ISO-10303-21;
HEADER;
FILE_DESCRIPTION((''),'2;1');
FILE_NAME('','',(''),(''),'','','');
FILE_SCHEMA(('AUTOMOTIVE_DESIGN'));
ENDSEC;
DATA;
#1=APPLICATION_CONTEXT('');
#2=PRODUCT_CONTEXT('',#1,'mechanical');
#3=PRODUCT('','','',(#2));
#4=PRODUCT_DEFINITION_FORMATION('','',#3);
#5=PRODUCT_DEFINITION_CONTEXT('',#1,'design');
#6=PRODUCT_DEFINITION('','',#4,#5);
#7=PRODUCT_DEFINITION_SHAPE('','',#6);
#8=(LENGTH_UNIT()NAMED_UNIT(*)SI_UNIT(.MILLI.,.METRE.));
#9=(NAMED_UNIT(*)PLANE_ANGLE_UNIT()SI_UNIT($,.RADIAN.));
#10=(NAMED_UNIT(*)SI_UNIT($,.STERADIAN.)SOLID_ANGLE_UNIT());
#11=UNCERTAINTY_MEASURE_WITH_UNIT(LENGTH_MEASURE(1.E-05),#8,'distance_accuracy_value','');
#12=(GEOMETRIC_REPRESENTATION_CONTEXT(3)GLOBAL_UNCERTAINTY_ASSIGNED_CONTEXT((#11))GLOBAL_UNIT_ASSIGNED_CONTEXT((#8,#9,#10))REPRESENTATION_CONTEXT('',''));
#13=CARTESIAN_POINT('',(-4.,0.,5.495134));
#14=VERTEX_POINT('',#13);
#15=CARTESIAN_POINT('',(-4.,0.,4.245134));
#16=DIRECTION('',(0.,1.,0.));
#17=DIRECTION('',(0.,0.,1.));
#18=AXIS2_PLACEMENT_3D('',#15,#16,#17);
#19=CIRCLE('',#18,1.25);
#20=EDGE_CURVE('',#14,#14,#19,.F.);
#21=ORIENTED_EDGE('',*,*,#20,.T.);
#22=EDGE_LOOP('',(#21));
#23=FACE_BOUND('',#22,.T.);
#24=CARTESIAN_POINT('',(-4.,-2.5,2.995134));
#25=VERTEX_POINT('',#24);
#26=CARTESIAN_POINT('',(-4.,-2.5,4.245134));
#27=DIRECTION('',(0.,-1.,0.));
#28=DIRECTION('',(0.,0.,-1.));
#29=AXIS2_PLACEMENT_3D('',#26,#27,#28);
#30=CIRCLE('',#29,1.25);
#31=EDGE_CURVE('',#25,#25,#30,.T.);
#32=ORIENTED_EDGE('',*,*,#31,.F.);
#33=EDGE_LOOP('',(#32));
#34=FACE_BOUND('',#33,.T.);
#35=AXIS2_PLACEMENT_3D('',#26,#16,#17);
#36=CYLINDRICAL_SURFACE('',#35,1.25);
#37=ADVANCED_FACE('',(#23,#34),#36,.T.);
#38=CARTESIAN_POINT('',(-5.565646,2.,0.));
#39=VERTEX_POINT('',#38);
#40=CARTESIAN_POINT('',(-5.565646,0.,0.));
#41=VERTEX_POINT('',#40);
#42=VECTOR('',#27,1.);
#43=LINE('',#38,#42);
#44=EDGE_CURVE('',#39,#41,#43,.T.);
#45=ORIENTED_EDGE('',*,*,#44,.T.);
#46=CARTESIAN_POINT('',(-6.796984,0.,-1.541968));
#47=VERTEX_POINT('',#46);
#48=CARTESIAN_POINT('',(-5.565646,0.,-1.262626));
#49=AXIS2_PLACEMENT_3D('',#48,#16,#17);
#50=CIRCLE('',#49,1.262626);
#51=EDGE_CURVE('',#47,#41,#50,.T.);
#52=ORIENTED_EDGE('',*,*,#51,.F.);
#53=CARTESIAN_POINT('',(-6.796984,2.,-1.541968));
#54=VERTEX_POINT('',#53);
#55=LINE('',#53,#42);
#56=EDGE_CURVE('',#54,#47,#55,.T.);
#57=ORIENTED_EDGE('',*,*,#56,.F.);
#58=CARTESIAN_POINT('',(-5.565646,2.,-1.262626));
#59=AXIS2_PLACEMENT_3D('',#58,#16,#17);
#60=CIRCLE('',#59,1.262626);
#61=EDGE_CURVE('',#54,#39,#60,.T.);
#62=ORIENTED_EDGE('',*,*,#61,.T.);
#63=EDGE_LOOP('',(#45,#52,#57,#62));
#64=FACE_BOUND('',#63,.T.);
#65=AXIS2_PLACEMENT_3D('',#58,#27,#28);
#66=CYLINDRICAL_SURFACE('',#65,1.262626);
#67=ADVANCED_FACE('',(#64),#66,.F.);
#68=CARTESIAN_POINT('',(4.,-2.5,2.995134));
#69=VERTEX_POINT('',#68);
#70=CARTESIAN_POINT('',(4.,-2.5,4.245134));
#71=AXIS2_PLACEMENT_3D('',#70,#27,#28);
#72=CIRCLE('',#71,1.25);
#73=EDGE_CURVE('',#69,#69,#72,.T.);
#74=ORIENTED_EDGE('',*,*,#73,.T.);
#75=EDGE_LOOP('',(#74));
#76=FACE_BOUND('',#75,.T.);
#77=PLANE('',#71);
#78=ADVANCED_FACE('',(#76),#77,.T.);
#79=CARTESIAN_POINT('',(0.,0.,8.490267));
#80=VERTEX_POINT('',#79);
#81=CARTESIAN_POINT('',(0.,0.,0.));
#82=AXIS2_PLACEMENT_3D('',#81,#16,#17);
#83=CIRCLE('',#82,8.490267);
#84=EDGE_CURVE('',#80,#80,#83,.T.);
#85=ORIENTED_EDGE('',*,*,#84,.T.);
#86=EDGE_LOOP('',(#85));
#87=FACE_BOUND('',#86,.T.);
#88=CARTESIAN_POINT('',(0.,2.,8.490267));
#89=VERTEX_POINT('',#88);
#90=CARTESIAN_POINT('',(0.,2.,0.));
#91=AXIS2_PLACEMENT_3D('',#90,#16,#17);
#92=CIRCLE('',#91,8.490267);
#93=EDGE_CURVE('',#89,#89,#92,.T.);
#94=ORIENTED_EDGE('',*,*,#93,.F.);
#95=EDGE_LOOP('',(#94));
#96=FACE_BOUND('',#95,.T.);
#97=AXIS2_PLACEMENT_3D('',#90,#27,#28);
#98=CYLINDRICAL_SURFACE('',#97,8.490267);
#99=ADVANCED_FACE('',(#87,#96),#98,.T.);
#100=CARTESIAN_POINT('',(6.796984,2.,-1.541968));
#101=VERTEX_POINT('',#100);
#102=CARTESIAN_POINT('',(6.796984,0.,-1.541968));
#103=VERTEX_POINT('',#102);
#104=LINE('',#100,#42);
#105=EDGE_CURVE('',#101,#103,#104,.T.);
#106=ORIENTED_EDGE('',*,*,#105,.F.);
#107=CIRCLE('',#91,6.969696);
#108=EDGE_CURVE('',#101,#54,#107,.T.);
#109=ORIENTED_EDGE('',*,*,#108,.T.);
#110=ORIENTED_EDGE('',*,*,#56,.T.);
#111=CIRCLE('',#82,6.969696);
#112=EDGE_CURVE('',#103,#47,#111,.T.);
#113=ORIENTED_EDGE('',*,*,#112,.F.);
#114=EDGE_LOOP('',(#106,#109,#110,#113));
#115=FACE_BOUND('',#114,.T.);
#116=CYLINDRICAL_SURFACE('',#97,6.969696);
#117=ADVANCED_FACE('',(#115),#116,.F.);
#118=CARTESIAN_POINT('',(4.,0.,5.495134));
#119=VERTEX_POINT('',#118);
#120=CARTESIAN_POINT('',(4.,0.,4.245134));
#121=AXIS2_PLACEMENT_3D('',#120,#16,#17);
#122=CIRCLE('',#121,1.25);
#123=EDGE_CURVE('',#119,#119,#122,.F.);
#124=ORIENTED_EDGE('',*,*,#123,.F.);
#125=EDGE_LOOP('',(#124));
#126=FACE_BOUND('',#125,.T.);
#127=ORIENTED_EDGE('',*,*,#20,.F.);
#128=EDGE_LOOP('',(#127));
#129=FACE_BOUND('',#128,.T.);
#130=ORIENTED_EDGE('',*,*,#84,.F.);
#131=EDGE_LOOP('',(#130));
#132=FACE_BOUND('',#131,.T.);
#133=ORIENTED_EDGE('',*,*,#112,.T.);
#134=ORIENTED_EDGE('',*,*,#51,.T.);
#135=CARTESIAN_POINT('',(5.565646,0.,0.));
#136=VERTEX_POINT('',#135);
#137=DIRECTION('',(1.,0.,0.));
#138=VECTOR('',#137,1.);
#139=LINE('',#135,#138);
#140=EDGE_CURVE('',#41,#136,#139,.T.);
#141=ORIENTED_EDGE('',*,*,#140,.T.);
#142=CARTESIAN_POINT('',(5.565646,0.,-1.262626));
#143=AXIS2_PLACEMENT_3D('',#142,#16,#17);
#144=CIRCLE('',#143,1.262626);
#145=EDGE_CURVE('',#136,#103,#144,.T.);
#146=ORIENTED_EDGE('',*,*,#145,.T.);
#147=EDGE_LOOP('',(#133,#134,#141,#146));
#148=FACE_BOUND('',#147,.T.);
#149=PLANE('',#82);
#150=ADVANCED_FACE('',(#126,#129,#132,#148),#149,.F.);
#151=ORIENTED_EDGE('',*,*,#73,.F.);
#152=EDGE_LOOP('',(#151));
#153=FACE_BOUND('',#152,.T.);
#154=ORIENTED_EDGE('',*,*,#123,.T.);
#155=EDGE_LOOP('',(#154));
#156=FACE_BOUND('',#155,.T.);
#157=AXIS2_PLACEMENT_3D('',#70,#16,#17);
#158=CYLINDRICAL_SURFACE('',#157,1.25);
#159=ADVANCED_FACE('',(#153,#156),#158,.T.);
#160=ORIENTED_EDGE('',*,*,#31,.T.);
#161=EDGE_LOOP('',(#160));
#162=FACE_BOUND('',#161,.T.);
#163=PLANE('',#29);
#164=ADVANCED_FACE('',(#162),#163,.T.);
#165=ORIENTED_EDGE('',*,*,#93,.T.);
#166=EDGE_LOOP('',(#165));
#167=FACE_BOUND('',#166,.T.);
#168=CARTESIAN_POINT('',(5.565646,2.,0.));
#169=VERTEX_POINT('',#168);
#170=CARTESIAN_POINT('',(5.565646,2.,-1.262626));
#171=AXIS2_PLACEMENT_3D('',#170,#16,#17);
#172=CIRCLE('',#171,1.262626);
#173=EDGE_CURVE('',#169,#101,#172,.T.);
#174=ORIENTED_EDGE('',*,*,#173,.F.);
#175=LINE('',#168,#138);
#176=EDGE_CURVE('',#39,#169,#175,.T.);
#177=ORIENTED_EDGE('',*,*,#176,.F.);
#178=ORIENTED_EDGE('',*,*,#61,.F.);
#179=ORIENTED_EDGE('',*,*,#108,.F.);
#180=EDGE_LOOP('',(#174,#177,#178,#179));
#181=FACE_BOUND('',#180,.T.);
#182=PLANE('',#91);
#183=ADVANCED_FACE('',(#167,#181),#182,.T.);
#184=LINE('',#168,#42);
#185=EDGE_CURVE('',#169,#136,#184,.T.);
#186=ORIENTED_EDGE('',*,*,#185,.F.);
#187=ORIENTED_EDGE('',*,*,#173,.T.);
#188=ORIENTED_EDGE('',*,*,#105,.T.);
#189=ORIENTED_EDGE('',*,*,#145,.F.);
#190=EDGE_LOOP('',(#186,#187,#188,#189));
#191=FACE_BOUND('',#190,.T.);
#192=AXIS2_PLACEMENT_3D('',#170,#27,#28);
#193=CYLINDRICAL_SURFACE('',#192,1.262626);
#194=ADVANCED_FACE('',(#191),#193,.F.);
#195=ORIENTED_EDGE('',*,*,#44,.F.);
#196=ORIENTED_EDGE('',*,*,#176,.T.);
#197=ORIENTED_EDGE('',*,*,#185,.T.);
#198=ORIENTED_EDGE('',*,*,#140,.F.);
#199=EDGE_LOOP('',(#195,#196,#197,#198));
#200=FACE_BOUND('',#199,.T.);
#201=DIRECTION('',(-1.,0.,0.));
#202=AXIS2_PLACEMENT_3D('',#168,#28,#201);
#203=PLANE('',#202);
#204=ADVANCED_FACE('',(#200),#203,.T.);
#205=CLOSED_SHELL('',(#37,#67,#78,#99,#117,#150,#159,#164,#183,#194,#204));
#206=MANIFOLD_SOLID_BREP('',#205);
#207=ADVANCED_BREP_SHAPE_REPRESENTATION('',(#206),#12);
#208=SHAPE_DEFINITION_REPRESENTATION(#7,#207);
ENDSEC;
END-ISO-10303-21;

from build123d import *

# Parameters (mm, degrees)
SKETCH_1_R      = 8.490267481
EXTRUDE_1_DEPTH = 2
SKETCH_2_R      = 1.25
EXTRUDE_2_DEPTH = 2.5


with BuildPart() as part:
    # Эскиз1 → Бобышка-Вытянуть1 (new body)
    with BuildSketch(Plane(origin=(0, 0, 0), x_dir=(1, 0, 0), z_dir=(0, 1, 0))):
        with Locations(Location((0, 0, 0), (0, 0, 270))):
            Circle(SKETCH_1_R)
        with BuildLine():
            Line((5.565646409, 0), (-5.565646409, 0))
            ThreePointArc((-5.565646409, 0), (-6.552289655, 0.474742908), (-6.796984316, 1.5419684))
            ThreePointArc((-6.796984316, 1.5419684), (0, 6.969696), (6.796984316, 1.5419684))
            ThreePointArc((6.796984316, 1.5419684), (6.552289655, 0.474742908), (5.565646409, 0))
        make_face(mode=Mode.SUBTRACT)
    extrude(amount=EXTRUDE_1_DEPTH)

    # Эскиз2 → Бобышка-Вытянуть2 (add)
    with BuildSketch(Plane.XZ):
        with Locations(Location((-4, 4.24513374, 0), (0, 0, 90))):
            Circle(SKETCH_2_R)
        with Locations(Location((4, 4.24513374, 0), (0, 0, 90))):
            Circle(SKETCH_2_R)
    extrude(amount=EXTRUDE_2_DEPTH)


solid = part.part
